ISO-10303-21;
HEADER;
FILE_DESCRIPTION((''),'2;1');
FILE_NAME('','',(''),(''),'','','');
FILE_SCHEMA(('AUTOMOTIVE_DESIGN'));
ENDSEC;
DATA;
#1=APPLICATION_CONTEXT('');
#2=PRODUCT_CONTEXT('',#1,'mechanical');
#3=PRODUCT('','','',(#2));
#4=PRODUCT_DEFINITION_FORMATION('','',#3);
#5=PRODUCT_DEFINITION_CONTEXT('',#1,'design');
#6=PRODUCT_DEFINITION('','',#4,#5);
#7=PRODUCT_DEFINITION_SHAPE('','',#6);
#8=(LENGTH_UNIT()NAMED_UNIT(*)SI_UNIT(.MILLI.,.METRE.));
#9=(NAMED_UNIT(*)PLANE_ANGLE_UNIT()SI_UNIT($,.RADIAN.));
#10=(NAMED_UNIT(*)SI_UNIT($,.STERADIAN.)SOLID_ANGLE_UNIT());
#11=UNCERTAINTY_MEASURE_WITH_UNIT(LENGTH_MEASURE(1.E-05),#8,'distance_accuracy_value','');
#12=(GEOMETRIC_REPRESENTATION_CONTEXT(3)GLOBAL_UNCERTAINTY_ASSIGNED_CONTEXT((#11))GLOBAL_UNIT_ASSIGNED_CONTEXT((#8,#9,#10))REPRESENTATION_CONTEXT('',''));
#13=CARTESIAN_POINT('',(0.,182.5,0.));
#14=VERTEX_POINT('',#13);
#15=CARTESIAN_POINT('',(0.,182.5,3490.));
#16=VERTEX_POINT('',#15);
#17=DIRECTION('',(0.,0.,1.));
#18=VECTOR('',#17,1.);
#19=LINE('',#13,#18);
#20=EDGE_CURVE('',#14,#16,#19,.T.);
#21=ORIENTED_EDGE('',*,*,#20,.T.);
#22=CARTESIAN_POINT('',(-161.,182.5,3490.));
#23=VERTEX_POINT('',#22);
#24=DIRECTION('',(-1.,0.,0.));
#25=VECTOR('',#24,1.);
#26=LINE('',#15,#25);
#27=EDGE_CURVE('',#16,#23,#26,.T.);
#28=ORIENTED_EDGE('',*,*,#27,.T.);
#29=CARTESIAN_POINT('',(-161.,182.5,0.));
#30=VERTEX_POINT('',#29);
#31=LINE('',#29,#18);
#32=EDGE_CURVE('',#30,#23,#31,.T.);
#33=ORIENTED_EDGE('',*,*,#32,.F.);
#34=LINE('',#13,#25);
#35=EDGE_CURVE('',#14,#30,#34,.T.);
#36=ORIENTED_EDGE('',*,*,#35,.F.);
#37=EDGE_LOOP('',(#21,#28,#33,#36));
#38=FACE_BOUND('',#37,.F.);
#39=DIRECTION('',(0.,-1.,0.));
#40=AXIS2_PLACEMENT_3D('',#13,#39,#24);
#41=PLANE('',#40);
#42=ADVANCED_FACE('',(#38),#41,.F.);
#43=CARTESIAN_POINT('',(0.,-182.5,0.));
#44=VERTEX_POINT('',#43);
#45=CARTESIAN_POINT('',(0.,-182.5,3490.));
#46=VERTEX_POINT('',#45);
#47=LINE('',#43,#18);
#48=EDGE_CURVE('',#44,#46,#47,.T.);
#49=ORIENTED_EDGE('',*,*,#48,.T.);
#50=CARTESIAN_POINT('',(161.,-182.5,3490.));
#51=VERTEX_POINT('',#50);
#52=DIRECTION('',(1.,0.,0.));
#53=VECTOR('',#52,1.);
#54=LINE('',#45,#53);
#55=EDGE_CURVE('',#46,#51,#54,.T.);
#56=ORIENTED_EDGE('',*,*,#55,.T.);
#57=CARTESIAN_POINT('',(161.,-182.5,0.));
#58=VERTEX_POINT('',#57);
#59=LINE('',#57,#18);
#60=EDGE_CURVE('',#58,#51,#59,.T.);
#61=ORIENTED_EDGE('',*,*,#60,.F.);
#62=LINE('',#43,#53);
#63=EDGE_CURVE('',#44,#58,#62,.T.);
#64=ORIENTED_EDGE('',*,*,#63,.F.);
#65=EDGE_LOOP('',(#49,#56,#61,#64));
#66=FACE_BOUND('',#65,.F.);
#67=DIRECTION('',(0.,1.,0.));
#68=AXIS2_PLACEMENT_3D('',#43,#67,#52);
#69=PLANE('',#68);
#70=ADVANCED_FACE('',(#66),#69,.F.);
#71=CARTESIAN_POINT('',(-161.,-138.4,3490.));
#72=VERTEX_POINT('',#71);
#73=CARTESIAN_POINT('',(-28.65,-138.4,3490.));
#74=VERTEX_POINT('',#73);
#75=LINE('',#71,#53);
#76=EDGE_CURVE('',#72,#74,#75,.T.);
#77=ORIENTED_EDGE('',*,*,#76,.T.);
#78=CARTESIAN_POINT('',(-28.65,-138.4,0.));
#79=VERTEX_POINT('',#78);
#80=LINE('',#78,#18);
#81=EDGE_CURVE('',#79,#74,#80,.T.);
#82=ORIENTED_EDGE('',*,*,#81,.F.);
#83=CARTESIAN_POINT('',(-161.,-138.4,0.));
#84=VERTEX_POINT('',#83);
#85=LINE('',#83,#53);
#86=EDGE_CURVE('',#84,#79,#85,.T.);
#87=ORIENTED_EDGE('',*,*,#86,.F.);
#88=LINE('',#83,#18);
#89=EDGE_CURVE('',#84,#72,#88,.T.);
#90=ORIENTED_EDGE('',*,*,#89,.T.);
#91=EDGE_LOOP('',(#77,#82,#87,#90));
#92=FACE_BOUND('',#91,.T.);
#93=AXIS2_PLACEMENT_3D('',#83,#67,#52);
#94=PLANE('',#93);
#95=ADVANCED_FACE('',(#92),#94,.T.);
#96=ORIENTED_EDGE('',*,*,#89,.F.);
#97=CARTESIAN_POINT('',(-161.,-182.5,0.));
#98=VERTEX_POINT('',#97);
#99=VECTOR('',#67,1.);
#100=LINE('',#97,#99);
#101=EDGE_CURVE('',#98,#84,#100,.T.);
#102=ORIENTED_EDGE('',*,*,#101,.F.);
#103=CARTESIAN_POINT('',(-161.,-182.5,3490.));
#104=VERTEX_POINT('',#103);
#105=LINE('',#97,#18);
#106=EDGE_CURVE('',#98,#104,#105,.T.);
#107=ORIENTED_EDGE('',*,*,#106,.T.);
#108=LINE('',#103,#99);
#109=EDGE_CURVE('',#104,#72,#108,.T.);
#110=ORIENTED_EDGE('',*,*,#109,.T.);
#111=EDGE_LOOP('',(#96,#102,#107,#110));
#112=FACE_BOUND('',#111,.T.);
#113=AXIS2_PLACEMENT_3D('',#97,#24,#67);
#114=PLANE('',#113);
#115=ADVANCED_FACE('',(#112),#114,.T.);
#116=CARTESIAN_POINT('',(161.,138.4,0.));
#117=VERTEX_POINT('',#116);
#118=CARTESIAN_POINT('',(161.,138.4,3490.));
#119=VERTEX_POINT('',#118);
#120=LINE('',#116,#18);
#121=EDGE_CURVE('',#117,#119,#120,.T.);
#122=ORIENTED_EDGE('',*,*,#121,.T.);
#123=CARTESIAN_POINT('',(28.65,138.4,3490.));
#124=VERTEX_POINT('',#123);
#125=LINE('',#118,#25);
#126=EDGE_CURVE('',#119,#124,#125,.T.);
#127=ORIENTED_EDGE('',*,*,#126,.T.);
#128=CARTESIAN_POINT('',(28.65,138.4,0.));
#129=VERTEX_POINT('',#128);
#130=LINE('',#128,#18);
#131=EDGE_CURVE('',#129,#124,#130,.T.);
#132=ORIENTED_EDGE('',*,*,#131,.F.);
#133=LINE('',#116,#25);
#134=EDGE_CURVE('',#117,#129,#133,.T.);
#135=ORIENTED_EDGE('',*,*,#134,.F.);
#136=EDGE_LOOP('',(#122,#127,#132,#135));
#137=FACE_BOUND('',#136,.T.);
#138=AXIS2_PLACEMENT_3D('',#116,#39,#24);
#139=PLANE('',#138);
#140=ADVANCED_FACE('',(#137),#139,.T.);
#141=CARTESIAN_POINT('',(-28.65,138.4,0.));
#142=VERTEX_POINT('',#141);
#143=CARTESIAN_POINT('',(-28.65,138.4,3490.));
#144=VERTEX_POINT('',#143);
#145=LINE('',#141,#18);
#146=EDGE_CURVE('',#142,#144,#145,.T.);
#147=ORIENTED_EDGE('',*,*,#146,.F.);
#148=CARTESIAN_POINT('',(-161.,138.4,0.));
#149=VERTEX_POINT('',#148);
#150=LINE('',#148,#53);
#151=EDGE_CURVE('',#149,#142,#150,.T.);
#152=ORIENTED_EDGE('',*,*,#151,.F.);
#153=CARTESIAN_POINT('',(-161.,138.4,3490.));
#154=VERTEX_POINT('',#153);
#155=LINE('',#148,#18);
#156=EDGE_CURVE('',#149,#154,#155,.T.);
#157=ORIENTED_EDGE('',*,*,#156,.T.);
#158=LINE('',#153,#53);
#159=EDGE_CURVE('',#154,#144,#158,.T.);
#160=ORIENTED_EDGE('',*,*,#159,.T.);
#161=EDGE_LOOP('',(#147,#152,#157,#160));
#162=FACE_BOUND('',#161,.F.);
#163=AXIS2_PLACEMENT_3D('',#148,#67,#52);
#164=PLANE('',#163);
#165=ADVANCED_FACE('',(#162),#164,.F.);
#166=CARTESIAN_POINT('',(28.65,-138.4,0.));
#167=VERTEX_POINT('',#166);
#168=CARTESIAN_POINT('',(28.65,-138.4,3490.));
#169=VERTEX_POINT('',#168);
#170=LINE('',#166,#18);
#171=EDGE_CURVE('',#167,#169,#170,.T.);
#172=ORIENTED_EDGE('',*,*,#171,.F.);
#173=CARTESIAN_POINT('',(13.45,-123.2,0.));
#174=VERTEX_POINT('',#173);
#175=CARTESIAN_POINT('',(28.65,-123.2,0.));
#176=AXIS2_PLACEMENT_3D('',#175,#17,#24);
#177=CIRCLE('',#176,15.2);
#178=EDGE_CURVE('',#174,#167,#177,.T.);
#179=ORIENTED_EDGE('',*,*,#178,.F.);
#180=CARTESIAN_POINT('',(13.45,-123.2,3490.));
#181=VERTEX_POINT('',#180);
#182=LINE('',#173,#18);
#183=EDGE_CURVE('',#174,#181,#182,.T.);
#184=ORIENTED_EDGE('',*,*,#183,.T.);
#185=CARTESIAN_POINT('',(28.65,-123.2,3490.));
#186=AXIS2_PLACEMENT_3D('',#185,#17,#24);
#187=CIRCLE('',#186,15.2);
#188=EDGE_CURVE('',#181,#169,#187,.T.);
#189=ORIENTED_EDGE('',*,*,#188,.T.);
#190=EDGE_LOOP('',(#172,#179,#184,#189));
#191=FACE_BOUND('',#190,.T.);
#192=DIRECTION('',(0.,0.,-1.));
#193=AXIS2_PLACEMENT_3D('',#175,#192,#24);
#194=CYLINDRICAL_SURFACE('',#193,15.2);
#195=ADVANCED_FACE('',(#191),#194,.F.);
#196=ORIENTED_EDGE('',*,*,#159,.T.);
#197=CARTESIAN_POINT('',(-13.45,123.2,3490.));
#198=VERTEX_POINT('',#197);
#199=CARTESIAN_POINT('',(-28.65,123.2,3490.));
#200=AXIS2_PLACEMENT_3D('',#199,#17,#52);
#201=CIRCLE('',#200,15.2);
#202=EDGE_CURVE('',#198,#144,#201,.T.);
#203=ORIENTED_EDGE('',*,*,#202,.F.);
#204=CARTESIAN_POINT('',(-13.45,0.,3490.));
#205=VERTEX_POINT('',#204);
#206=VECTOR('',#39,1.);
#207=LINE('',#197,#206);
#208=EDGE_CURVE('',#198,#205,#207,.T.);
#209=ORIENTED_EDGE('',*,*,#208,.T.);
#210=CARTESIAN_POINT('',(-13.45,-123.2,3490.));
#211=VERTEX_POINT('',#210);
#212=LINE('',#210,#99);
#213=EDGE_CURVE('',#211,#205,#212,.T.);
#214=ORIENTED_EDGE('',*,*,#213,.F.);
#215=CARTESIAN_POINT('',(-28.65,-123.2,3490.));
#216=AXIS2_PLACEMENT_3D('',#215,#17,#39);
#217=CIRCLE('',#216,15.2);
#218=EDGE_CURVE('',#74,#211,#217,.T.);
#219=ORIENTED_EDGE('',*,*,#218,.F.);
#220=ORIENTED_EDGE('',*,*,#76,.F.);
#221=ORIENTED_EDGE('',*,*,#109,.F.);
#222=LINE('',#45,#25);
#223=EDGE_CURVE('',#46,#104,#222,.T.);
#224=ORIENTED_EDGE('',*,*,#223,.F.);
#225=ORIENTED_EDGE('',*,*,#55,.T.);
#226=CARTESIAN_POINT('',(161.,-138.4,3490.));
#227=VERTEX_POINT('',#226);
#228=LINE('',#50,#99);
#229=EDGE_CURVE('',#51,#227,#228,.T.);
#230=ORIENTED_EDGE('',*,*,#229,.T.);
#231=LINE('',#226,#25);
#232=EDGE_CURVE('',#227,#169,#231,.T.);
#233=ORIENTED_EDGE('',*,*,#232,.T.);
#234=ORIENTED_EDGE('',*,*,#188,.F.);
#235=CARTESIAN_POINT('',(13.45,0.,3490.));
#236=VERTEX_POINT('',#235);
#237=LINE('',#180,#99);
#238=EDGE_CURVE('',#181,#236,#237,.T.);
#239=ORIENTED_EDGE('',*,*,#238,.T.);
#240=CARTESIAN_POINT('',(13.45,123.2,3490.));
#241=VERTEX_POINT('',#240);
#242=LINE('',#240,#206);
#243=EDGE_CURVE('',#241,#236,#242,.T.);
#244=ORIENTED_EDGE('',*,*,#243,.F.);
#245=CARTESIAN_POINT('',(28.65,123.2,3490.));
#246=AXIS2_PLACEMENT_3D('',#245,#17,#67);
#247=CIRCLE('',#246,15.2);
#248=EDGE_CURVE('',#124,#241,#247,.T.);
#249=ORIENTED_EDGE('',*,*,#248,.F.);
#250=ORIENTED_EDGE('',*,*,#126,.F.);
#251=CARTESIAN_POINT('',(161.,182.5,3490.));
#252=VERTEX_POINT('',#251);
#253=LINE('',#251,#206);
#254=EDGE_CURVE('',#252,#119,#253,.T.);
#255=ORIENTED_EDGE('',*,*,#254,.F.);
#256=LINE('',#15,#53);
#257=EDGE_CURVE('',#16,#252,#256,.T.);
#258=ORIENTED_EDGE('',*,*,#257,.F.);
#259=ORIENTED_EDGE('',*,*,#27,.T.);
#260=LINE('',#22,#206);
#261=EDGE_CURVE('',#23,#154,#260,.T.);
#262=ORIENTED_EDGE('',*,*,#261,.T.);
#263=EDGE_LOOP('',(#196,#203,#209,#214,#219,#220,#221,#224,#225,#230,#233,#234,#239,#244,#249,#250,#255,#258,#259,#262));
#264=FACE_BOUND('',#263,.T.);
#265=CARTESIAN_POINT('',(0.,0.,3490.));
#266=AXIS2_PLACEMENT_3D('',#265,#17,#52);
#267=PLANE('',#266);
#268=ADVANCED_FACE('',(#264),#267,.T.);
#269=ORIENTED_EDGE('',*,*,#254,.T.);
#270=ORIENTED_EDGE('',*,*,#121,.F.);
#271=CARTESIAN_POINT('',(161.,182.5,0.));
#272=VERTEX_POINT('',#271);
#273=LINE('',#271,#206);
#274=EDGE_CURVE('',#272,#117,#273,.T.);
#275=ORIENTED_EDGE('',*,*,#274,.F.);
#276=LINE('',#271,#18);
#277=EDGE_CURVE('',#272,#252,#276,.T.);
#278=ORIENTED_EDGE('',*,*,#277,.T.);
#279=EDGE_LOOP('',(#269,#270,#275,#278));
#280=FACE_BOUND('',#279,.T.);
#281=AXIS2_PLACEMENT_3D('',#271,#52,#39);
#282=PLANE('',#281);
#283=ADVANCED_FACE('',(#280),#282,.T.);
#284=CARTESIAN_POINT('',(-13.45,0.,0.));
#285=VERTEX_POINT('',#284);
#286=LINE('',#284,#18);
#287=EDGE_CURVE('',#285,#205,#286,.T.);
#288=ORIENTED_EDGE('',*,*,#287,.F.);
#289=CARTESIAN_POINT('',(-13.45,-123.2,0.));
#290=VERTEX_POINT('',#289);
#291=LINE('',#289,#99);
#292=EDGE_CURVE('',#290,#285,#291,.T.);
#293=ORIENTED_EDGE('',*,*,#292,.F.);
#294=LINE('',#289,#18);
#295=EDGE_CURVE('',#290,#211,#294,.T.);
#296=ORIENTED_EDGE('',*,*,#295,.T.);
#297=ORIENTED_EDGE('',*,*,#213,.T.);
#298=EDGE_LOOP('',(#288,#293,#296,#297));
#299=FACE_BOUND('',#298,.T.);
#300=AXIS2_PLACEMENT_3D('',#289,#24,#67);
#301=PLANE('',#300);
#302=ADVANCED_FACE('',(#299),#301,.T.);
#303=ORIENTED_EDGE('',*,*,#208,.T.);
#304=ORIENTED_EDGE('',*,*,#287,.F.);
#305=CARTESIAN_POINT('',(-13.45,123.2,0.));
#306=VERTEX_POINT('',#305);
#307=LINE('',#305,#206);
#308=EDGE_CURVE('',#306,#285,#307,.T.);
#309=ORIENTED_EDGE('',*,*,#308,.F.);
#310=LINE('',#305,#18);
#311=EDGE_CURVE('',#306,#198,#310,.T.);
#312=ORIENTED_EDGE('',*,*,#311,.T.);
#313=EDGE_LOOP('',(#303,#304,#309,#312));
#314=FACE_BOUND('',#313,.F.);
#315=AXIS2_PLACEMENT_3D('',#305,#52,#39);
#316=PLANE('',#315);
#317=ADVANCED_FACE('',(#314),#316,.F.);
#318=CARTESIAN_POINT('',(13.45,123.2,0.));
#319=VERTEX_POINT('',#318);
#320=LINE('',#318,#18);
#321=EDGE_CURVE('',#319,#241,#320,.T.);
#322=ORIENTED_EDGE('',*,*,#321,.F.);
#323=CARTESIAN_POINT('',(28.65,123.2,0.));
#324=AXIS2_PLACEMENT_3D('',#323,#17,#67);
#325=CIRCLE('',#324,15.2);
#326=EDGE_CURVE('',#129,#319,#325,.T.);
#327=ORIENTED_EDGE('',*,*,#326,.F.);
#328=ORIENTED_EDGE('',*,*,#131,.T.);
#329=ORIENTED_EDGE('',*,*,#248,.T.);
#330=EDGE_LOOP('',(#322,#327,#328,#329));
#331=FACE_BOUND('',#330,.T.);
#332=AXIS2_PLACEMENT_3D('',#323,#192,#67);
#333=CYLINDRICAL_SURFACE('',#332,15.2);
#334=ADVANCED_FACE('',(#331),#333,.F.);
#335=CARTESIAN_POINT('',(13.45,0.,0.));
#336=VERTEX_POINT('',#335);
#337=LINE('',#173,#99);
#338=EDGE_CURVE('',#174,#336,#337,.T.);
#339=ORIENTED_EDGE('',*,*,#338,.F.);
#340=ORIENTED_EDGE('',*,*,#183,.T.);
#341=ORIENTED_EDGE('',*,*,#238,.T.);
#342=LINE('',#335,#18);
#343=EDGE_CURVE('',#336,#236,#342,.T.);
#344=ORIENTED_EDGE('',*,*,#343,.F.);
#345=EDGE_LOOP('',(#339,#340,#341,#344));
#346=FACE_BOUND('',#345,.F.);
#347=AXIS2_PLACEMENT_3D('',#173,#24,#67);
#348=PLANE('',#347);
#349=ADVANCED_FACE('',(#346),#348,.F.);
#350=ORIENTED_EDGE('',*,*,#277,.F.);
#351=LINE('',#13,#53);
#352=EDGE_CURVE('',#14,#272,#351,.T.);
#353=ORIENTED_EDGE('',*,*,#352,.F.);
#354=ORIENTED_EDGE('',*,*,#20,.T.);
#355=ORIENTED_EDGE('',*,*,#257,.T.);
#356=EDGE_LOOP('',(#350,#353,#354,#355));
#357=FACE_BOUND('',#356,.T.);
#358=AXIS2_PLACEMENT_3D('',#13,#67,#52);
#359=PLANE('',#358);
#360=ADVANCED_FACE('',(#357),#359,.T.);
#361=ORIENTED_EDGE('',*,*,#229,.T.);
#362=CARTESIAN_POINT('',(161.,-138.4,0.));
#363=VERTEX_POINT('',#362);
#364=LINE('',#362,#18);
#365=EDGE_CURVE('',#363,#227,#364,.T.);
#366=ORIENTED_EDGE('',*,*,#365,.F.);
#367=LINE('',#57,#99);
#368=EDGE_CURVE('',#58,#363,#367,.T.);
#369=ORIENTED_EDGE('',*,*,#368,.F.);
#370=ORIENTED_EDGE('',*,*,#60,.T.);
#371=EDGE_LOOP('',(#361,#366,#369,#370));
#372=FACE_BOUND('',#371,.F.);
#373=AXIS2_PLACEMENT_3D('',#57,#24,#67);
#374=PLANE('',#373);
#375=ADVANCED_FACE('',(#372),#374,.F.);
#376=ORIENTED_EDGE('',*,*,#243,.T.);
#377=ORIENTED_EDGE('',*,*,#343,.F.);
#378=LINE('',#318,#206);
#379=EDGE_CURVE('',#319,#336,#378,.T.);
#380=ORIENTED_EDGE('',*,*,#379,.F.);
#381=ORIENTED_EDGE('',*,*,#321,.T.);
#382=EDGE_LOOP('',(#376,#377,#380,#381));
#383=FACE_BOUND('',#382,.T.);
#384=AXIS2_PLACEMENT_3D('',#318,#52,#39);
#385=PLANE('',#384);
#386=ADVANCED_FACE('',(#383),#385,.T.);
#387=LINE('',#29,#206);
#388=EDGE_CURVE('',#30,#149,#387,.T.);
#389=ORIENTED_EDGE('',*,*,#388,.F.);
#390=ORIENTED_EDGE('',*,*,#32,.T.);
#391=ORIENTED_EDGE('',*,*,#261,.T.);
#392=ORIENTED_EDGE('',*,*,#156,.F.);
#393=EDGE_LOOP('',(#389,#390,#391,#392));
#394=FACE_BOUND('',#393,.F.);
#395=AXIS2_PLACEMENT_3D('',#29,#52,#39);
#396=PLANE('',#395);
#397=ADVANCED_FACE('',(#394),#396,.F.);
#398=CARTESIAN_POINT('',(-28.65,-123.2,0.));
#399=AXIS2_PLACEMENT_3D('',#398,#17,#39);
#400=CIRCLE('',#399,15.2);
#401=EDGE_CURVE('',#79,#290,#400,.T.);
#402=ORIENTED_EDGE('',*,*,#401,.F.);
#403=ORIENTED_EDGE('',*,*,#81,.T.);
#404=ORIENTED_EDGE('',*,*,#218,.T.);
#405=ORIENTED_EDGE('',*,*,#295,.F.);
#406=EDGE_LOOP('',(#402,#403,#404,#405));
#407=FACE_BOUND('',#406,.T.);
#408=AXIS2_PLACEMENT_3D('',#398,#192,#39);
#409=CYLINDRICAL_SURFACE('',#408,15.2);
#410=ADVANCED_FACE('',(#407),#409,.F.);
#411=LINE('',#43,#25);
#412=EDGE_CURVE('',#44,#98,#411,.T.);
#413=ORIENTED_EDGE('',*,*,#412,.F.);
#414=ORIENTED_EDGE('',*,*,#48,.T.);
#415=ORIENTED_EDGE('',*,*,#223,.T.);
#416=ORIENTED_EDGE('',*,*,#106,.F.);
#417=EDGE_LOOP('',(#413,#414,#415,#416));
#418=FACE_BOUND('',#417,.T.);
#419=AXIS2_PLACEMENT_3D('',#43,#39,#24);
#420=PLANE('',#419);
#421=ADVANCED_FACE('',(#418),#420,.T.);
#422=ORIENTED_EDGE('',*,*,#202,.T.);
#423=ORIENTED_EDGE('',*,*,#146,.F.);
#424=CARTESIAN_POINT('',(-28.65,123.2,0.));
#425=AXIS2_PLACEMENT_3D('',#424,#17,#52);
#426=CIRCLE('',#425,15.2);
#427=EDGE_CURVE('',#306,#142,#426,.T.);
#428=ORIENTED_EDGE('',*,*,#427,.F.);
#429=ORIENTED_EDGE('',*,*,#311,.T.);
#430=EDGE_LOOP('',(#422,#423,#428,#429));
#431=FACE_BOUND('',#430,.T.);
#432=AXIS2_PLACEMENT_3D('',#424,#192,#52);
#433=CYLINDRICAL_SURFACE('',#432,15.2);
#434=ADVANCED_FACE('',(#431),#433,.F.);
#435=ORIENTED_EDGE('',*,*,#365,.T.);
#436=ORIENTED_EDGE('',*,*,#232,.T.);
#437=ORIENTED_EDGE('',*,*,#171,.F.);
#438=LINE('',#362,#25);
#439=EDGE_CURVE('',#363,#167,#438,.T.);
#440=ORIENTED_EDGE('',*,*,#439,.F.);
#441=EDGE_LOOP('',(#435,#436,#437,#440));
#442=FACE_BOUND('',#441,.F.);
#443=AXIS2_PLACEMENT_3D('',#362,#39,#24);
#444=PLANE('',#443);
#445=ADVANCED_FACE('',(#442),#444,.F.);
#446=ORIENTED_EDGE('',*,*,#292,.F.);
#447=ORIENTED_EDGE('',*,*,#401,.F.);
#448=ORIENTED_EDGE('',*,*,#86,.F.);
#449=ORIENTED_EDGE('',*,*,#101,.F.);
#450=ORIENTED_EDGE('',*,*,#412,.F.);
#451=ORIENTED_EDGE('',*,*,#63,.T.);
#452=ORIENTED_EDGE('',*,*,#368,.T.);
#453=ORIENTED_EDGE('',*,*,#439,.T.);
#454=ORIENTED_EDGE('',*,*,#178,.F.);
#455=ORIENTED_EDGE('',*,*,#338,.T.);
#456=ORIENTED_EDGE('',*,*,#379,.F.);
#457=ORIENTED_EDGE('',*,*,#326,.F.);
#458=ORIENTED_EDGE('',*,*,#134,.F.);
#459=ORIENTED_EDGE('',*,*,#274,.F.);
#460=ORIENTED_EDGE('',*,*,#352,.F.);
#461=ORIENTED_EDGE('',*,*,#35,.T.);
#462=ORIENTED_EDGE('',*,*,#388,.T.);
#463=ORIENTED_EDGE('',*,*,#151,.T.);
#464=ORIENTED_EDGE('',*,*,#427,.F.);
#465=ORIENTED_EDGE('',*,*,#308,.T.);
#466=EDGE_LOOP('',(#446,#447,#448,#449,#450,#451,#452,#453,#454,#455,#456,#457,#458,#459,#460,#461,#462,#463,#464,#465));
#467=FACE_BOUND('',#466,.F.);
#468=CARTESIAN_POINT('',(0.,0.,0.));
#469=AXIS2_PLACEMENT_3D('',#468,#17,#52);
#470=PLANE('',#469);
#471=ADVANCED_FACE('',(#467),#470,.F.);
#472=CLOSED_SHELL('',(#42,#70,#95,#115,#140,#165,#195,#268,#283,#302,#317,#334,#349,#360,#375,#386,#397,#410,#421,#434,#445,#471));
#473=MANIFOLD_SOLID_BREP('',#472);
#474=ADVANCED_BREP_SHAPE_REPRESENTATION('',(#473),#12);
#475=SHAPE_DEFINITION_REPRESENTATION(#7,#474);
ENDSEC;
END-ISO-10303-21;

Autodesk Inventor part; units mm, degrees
ref_plane "YZ Plane" through (0, 0, 0) normal (1, 0, 0) x (0, 1, 0)
ref_plane "Start plane" through (0, 0, 0) normal (0, 0, 1) x (1, 0, 0)
ref_plane "End plane" through (0, 0, 3490) normal (0, 0, 1) x (1, 0, 0)
sketch "Sketch" plane through (0, 0, 0) normal (0, 0, 1) x (1, 0, 0)
  line L0 (-161, -182.5) -> (-161, -138.4)
  line L1 (-161, -138.4) -> (-28.65, -138.4)
  line L2 (-13.45, -123.2) -> (-13.45, 0)
  line L3 (-13.45, 0) -> (0, 0) construction
  line L4 (0, 0) -> (0, -182.5) construction
  line L5 (0, -182.5) -> (-161, -182.5)
  line L6 (-60, 0) -> (80, 0) construction
  line L7 (0, -60) -> (0, 80) construction
  line L8 (161, -182.5) -> (161, -138.4)
  line L9 (161, -138.4) -> (28.65, -138.4)
  line L10 (13.45, -123.2) -> (13.45, 0)
  line L11 (13.45, 0) -> (0, 0) construction
  line L12 (0, -182.5) -> (161, -182.5)
  line L13 (-161, 182.5) -> (-161, 138.4)
  line L14 (-161, 138.4) -> (-28.65, 138.4)
  line L15 (-13.45, 123.2) -> (-13.45, 0)
  line L16 (0, 182.5) -> (-161, 182.5)
  line L17 (161, 182.5) -> (161, 138.4)
  line L18 (161, 138.4) -> (28.65, 138.4)
  line L19 (0, 182.5) -> (161, 182.5)
  line L20 (13.45, 123.2) -> (13.45, 0)
  arc A0 (-13.45, 123.2) -> (-28.65, 138.4) centre (-28.65, 123.2) ccw
  arc A1 (28.65, 138.4) -> (13.45, 123.2) centre (28.65, 123.2) ccw
  arc A2 (13.45, -123.2) -> (28.65, -138.4) centre (28.65, -123.2) ccw
  arc A3 (-28.65, -138.4) -> (-13.45, -123.2) centre (-28.65, -123.2) ccw
  line L21 (0, 108) -> (0, -88) construction
  line L22 (-88, 0) -> (108, 0) construction
  point P0 (-13.45, -138.4)
  point P1 (13.45, -138.4)
  point P2 (-13.45, 138.4)
  point P3 (13.45, 138.4)
  dimension "d1" = 182.5
  dimension "d2" = 44.1
  dimension "d3" = 161
  dimension "d4" = 13.45
  dimension "d10" = 15.2
extrude "Body" add sketch "Sketch" along normal up to surface (3490 mm away) from surface at 0
sketch "Sketch4" plane through (0, 0, 0) normal (0, 0, 1) x (1, 0, 0)
  line L0 (0, 0) -> (10, 0)
ref_plane "Work Plane3" through (0, 0, 0) normal (0, -1, 0) x (1, 0, 0)
sketch "Sketch5" plane through (0, 0, 0) normal (0, -1, 0) x (1, 0, 0)
  line L0 (-2, 0) -> (12, 0) projected
  line L1 (-2, 3490) -> (12, 3490) projected
  dimension "d14" = 3490
equation "\"d1\" = 0.5 * G_H"
equation "\"d2\" = G_T1"
equation "\"d3\" = 0.5 * G_W"
equation "\"d4\" = 0.5 * G_T"
equation "\"d10\" = G_IR"
equation "\"d5\" = G_L"
equation "\"G_W\" = 322"
equation "\"G_H\" = 365"
equation "\"G_T\" = 26.9"
equation "\"G_T1\" = 44.1"
equation "\"G_IR\" = 15.2"
equation "\"G_L\" = d14"
equation "\"G_OFFSET_START\" = 0"
equation "\"G_OFFSET_END\" = 0"
properties part number "AS 3679 - 310 UC - 283 - 3490" material "Steel, Mild"
